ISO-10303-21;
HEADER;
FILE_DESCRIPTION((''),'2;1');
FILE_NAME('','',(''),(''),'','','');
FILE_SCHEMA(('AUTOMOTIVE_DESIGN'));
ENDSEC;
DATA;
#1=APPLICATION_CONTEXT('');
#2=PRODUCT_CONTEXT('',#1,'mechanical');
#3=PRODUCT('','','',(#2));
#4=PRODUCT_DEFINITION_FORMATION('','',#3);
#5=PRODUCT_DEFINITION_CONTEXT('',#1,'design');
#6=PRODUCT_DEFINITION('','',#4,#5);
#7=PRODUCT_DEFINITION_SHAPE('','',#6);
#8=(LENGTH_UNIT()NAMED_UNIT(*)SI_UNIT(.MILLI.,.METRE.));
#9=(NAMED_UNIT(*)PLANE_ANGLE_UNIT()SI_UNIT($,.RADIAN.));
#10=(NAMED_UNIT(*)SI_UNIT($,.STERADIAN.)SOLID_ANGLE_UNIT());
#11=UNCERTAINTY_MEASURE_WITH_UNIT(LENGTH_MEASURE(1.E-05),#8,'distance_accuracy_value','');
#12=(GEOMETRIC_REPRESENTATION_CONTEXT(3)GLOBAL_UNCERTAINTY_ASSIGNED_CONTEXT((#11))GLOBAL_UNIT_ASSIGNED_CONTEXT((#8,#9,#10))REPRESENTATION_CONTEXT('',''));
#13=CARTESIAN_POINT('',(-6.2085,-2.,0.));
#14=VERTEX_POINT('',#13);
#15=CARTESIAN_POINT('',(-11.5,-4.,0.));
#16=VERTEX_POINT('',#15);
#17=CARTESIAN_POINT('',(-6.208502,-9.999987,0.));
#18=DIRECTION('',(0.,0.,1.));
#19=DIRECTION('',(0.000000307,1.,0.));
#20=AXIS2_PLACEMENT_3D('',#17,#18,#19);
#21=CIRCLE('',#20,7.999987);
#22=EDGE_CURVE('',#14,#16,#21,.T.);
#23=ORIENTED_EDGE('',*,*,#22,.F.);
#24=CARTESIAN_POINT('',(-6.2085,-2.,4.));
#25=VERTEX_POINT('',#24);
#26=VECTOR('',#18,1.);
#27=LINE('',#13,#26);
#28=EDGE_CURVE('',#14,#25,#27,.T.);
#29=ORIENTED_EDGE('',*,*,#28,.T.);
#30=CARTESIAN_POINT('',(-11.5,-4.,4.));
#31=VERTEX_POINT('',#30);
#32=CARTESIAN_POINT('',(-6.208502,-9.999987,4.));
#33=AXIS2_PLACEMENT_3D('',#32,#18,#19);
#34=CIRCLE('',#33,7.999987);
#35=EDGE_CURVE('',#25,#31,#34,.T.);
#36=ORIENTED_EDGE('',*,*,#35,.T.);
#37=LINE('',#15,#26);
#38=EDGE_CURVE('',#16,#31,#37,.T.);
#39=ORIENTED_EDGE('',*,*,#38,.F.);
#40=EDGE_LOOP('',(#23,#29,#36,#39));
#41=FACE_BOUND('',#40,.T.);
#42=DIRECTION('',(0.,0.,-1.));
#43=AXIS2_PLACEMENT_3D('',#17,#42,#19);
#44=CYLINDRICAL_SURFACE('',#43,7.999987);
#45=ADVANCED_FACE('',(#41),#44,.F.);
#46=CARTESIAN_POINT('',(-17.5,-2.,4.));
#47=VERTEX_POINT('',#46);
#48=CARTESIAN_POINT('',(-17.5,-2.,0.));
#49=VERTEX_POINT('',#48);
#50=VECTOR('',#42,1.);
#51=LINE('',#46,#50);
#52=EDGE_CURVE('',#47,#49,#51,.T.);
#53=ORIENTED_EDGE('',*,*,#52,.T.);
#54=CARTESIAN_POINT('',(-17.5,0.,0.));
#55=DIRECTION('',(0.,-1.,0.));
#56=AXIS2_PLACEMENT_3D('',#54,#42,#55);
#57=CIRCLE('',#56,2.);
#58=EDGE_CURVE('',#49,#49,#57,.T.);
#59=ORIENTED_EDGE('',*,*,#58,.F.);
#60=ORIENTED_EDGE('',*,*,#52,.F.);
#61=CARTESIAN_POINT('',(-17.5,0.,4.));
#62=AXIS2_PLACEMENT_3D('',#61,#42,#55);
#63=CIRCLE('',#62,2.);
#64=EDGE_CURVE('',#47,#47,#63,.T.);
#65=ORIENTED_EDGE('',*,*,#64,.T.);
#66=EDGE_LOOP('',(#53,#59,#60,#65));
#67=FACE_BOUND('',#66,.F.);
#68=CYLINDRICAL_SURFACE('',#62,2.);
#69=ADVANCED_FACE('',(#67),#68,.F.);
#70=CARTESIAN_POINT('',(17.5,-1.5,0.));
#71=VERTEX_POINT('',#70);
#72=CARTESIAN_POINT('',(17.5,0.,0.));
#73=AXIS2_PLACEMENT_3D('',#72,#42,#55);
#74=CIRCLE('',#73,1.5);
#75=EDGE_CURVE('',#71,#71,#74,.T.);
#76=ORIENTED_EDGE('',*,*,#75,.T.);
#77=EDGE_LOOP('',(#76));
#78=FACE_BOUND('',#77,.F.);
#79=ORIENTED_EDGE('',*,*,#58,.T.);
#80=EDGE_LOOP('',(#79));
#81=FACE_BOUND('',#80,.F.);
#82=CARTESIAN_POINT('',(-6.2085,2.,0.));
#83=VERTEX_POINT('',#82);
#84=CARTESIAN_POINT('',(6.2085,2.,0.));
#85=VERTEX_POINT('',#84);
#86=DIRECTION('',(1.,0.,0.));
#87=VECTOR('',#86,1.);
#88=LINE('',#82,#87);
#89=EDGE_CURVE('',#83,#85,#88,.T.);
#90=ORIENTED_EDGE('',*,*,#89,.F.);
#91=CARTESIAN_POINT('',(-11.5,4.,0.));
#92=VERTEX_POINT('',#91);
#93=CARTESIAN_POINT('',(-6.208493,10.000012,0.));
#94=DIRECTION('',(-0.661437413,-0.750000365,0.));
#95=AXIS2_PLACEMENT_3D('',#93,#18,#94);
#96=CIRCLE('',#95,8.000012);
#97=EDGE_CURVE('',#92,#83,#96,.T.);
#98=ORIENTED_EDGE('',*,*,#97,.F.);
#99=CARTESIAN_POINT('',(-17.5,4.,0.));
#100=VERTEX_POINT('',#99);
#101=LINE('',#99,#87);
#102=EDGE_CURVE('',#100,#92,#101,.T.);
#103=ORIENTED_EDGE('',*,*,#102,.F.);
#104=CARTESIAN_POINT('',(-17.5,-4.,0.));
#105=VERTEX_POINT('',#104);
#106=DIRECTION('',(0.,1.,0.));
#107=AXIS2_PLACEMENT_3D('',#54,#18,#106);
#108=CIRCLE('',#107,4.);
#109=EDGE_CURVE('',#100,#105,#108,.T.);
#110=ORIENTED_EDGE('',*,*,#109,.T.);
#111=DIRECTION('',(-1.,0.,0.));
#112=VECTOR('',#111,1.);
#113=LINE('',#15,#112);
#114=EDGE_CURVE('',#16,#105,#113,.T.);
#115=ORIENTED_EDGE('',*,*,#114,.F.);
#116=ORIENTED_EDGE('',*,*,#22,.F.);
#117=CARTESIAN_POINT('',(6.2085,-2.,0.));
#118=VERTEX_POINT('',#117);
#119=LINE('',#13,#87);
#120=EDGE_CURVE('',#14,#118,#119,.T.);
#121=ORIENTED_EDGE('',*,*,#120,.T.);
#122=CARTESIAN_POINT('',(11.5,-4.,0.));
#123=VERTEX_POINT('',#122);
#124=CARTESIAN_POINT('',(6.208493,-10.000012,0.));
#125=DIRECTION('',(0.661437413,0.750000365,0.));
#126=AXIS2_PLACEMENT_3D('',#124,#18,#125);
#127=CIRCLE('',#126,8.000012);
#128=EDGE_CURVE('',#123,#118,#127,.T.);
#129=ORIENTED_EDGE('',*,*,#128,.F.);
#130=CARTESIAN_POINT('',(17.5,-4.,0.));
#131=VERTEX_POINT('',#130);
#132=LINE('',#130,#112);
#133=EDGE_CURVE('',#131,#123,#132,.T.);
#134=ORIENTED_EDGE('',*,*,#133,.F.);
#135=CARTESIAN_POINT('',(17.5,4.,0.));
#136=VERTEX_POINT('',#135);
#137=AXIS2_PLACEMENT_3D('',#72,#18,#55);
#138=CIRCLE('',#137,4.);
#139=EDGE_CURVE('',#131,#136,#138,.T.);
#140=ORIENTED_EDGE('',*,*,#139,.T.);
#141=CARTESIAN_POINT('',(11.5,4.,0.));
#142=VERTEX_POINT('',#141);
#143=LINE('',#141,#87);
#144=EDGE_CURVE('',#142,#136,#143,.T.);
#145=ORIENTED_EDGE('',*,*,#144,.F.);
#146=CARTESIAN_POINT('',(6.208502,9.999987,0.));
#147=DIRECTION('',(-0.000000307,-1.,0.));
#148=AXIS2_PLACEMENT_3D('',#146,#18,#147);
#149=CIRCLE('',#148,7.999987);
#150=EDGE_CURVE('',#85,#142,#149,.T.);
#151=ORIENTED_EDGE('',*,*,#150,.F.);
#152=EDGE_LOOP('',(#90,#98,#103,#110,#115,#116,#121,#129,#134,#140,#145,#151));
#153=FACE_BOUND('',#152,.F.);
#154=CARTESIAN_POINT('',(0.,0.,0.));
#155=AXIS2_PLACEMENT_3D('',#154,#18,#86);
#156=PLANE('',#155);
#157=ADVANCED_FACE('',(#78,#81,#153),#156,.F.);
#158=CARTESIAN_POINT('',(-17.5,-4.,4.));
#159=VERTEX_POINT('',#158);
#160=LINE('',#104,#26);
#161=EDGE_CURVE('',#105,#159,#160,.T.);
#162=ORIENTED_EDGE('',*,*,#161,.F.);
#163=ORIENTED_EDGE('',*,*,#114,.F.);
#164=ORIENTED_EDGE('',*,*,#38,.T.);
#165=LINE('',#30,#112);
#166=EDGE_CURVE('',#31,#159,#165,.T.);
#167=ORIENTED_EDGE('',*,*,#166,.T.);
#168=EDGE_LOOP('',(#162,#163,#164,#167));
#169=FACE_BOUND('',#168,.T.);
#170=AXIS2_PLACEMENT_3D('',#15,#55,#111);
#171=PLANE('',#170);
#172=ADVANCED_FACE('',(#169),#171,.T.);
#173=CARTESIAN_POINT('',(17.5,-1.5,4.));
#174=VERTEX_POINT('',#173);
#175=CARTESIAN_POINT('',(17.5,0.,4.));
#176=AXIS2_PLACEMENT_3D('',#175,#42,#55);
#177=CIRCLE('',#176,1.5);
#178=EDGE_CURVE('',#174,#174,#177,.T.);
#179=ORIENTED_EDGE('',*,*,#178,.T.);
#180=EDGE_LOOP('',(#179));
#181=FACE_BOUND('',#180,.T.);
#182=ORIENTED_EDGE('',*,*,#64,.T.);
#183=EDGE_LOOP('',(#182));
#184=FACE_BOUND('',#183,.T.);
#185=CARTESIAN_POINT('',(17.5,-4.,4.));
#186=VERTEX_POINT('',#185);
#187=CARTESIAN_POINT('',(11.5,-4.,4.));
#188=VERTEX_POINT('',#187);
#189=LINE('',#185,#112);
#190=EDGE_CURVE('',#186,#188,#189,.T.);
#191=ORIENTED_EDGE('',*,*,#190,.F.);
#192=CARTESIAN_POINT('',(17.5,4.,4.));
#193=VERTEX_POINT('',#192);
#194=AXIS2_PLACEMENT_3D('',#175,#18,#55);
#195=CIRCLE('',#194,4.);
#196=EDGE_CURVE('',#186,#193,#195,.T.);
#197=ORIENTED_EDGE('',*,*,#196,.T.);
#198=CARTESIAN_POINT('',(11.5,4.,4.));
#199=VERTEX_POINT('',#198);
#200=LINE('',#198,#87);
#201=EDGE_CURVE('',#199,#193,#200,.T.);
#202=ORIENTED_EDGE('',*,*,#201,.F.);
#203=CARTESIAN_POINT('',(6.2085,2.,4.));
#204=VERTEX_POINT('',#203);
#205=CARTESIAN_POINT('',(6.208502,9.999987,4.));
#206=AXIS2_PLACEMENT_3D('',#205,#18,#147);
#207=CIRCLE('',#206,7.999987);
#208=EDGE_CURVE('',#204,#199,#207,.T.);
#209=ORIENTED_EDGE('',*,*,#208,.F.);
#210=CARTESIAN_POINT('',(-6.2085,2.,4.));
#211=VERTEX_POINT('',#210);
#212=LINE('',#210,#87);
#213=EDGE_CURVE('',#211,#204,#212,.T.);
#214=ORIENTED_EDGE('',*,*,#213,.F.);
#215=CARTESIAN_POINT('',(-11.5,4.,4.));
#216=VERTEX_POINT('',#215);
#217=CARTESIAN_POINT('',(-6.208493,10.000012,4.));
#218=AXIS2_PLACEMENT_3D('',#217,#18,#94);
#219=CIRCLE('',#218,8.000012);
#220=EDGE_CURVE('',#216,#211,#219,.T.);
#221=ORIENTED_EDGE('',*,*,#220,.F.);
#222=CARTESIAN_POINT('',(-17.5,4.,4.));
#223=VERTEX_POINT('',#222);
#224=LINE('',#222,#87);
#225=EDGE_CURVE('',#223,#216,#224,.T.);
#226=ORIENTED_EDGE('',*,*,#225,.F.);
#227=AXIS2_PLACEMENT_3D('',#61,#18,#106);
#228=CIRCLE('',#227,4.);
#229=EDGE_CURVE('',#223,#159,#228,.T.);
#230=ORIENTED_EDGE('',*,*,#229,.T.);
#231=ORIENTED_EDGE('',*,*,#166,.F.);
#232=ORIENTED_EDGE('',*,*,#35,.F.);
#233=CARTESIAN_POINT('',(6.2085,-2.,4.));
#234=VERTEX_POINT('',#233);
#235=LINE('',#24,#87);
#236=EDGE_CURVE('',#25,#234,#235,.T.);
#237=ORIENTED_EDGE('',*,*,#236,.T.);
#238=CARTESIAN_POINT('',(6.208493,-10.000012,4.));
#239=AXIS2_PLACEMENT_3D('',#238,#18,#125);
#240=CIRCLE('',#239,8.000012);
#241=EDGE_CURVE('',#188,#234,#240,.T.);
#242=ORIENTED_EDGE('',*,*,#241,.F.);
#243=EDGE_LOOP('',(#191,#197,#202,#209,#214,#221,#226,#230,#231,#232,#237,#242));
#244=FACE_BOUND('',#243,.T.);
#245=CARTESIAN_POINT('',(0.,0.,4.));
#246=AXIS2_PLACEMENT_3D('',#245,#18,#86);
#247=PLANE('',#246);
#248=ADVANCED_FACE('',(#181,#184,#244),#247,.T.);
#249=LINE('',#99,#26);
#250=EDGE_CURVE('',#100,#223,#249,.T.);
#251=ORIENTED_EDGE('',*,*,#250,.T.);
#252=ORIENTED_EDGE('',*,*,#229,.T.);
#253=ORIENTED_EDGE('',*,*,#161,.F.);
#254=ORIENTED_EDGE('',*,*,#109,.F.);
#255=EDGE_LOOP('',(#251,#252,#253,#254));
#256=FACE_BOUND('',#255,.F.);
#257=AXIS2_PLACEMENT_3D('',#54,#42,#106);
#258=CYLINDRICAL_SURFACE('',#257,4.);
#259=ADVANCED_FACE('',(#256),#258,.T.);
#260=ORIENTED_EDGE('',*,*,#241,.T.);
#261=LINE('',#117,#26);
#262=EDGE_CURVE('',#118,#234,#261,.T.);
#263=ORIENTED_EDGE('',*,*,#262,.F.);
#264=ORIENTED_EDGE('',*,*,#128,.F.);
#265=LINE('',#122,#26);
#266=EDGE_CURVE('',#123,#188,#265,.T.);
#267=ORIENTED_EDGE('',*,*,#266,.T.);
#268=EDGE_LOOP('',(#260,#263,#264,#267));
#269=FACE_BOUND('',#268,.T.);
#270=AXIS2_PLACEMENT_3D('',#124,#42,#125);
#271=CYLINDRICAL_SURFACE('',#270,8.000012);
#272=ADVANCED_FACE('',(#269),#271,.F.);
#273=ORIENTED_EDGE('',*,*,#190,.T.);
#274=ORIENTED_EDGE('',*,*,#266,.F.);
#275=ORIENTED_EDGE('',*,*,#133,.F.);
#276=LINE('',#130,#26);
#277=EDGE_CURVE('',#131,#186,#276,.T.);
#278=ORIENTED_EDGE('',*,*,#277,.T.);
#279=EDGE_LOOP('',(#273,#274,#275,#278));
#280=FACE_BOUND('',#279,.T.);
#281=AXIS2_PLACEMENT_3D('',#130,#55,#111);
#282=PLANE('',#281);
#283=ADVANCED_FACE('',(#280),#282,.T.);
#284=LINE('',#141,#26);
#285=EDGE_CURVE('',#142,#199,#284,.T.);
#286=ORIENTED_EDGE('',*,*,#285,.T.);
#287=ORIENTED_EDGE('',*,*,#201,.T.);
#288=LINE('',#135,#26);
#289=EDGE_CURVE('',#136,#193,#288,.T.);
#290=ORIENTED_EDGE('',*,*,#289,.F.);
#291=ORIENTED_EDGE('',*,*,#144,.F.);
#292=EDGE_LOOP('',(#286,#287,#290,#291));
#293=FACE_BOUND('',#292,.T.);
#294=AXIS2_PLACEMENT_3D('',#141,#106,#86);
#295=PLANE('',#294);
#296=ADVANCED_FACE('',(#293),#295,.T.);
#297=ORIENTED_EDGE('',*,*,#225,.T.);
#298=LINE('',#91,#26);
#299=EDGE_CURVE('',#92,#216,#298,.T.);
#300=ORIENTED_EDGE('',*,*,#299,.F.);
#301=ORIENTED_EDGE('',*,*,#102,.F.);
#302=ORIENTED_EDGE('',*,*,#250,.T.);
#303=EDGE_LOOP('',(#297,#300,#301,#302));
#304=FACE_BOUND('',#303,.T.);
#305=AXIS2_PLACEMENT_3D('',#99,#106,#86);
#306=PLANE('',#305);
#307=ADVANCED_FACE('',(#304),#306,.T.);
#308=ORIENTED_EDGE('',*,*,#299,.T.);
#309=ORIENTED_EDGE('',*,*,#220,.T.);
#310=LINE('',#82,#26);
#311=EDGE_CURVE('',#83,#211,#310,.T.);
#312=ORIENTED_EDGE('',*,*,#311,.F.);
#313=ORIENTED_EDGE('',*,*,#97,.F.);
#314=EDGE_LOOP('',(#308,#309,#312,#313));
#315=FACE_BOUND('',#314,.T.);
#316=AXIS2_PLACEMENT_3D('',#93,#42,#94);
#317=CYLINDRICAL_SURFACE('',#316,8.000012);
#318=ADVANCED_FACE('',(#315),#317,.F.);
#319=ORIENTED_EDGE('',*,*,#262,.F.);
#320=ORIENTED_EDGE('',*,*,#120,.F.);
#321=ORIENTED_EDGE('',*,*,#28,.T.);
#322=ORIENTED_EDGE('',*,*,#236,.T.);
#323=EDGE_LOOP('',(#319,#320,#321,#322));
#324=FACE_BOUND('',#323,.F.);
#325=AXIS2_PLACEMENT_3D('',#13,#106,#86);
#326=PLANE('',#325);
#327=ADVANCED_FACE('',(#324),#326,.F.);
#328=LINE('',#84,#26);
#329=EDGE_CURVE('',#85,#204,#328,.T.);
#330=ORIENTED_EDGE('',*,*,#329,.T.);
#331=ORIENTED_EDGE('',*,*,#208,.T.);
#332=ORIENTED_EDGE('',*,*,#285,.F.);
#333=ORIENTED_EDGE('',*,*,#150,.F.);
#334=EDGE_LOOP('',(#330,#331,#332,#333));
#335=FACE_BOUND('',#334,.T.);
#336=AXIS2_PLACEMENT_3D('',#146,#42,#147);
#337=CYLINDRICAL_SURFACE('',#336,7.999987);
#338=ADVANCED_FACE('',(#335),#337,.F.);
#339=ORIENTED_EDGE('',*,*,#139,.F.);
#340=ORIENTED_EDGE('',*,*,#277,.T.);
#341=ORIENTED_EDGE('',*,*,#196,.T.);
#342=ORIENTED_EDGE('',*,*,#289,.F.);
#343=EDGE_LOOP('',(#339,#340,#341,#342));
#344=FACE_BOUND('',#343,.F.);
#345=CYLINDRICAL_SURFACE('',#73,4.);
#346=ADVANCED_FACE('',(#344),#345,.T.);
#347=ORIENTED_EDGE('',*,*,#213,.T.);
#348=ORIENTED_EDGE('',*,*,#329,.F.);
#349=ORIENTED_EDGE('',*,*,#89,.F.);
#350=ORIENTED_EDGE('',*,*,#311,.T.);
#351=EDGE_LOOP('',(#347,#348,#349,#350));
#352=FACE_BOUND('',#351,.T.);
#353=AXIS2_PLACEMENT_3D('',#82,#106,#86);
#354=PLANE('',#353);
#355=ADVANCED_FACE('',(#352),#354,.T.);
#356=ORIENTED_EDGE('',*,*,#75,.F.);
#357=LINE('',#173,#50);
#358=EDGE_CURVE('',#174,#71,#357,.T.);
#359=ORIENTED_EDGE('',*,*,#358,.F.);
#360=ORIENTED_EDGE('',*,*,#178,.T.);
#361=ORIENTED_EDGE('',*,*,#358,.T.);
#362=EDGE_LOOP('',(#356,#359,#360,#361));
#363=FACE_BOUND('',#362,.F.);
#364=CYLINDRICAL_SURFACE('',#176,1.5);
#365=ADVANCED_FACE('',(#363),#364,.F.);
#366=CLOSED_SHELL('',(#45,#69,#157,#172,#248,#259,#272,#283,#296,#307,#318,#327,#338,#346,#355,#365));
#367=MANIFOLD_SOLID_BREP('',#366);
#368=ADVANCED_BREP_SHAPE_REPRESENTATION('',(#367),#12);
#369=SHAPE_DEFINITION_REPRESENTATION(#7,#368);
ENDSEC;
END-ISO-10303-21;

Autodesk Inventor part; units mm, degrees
ref_plane "YZ Plane" through (0, 0, 0) normal (1, 0, 0) x (0, 1, 0)
ref_plane "XZ Plane" through (0, 0, 0) normal (0, 1, 0) x (-1, 0, 0)
ref_plane "XY Plane" through (0, 0, 0) normal (0, 0, 1) x (1, 0, 0)
sketch "Skizze1" plane through (0, 0, 0) normal (0, 0, 1) x (1, 0, 0)
  line L0 (-21.5, 0) -> (21.5, 0) construction
  line L1 (-11.5, -4) -> (-17.5, -4)
  arc A0 (-17.5, 4) -> (-17.5, -4) centre (-17.5, 0) ccw
  line L2 (-17.5, 4) -> (-11.5, 4)
  line L3 (-6.2085, 2) -> (6.2085, 2)
  line L4 (11.5, 4) -> (17.5, 4)
  arc A1 (17.5, -4) -> (17.5, 4) centre (17.5, 0) ccw
  line L5 (17.5, -4) -> (11.5, -4)
  line L6 (-6.2085, -2) -> (6.2085, -2)
  arc A2 (11.5, -4) -> (6.2085, -2) centre (6.2085, -10) ccw
  arc A3 (-6.2085, -2) -> (-11.5, -4) centre (-6.2085, -10) ccw
  arc A4 (6.2085, 2) -> (11.5, 4) centre (6.2085, 10) ccw
  arc A5 (-11.5, 4) -> (-6.2085, 2) centre (-6.2085, 10) ccw
  point P0 (0, 0)
  point P1 (0, 0)
  dimension "d0" = 8
  dimension "d1" = 8
  dimension "d2" = 4
  dimension "d3" = 6
  dimension "d4" = 6
  dimension "d5" = 35
  dimension "d7" = 8
extrude "Extrusion1" add sketch "Skizze1" along normal blind 4
sketch "Skizze2" plane through (0, 0, 4) normal (0, 0, 1) x (1, 0, 0)
  arc A0 (-17.5, 4) -> (-17.5, -4) centre (-17.5, 0) ccw projected
  point P0 (0, 0)
hole "Bohrung1" at (-17.5, 0, 4) direction (0, 0, -1) diameter 4 end through all
sketch "Skizze3" plane through (0, 0, 4) normal (0, 0, 1) x (1, 0, 0)
  arc A0 (17.5, -4) -> (17.5, 4) centre (17.5, 0) ccw projected
  point P0 (0, 0)
hole "Bohrung2" at (17.5, 0, 4) direction (0, 0, -1) diameter 3 end through all
properties part number "Pleuel" material "Stahl, galvanisiert"
